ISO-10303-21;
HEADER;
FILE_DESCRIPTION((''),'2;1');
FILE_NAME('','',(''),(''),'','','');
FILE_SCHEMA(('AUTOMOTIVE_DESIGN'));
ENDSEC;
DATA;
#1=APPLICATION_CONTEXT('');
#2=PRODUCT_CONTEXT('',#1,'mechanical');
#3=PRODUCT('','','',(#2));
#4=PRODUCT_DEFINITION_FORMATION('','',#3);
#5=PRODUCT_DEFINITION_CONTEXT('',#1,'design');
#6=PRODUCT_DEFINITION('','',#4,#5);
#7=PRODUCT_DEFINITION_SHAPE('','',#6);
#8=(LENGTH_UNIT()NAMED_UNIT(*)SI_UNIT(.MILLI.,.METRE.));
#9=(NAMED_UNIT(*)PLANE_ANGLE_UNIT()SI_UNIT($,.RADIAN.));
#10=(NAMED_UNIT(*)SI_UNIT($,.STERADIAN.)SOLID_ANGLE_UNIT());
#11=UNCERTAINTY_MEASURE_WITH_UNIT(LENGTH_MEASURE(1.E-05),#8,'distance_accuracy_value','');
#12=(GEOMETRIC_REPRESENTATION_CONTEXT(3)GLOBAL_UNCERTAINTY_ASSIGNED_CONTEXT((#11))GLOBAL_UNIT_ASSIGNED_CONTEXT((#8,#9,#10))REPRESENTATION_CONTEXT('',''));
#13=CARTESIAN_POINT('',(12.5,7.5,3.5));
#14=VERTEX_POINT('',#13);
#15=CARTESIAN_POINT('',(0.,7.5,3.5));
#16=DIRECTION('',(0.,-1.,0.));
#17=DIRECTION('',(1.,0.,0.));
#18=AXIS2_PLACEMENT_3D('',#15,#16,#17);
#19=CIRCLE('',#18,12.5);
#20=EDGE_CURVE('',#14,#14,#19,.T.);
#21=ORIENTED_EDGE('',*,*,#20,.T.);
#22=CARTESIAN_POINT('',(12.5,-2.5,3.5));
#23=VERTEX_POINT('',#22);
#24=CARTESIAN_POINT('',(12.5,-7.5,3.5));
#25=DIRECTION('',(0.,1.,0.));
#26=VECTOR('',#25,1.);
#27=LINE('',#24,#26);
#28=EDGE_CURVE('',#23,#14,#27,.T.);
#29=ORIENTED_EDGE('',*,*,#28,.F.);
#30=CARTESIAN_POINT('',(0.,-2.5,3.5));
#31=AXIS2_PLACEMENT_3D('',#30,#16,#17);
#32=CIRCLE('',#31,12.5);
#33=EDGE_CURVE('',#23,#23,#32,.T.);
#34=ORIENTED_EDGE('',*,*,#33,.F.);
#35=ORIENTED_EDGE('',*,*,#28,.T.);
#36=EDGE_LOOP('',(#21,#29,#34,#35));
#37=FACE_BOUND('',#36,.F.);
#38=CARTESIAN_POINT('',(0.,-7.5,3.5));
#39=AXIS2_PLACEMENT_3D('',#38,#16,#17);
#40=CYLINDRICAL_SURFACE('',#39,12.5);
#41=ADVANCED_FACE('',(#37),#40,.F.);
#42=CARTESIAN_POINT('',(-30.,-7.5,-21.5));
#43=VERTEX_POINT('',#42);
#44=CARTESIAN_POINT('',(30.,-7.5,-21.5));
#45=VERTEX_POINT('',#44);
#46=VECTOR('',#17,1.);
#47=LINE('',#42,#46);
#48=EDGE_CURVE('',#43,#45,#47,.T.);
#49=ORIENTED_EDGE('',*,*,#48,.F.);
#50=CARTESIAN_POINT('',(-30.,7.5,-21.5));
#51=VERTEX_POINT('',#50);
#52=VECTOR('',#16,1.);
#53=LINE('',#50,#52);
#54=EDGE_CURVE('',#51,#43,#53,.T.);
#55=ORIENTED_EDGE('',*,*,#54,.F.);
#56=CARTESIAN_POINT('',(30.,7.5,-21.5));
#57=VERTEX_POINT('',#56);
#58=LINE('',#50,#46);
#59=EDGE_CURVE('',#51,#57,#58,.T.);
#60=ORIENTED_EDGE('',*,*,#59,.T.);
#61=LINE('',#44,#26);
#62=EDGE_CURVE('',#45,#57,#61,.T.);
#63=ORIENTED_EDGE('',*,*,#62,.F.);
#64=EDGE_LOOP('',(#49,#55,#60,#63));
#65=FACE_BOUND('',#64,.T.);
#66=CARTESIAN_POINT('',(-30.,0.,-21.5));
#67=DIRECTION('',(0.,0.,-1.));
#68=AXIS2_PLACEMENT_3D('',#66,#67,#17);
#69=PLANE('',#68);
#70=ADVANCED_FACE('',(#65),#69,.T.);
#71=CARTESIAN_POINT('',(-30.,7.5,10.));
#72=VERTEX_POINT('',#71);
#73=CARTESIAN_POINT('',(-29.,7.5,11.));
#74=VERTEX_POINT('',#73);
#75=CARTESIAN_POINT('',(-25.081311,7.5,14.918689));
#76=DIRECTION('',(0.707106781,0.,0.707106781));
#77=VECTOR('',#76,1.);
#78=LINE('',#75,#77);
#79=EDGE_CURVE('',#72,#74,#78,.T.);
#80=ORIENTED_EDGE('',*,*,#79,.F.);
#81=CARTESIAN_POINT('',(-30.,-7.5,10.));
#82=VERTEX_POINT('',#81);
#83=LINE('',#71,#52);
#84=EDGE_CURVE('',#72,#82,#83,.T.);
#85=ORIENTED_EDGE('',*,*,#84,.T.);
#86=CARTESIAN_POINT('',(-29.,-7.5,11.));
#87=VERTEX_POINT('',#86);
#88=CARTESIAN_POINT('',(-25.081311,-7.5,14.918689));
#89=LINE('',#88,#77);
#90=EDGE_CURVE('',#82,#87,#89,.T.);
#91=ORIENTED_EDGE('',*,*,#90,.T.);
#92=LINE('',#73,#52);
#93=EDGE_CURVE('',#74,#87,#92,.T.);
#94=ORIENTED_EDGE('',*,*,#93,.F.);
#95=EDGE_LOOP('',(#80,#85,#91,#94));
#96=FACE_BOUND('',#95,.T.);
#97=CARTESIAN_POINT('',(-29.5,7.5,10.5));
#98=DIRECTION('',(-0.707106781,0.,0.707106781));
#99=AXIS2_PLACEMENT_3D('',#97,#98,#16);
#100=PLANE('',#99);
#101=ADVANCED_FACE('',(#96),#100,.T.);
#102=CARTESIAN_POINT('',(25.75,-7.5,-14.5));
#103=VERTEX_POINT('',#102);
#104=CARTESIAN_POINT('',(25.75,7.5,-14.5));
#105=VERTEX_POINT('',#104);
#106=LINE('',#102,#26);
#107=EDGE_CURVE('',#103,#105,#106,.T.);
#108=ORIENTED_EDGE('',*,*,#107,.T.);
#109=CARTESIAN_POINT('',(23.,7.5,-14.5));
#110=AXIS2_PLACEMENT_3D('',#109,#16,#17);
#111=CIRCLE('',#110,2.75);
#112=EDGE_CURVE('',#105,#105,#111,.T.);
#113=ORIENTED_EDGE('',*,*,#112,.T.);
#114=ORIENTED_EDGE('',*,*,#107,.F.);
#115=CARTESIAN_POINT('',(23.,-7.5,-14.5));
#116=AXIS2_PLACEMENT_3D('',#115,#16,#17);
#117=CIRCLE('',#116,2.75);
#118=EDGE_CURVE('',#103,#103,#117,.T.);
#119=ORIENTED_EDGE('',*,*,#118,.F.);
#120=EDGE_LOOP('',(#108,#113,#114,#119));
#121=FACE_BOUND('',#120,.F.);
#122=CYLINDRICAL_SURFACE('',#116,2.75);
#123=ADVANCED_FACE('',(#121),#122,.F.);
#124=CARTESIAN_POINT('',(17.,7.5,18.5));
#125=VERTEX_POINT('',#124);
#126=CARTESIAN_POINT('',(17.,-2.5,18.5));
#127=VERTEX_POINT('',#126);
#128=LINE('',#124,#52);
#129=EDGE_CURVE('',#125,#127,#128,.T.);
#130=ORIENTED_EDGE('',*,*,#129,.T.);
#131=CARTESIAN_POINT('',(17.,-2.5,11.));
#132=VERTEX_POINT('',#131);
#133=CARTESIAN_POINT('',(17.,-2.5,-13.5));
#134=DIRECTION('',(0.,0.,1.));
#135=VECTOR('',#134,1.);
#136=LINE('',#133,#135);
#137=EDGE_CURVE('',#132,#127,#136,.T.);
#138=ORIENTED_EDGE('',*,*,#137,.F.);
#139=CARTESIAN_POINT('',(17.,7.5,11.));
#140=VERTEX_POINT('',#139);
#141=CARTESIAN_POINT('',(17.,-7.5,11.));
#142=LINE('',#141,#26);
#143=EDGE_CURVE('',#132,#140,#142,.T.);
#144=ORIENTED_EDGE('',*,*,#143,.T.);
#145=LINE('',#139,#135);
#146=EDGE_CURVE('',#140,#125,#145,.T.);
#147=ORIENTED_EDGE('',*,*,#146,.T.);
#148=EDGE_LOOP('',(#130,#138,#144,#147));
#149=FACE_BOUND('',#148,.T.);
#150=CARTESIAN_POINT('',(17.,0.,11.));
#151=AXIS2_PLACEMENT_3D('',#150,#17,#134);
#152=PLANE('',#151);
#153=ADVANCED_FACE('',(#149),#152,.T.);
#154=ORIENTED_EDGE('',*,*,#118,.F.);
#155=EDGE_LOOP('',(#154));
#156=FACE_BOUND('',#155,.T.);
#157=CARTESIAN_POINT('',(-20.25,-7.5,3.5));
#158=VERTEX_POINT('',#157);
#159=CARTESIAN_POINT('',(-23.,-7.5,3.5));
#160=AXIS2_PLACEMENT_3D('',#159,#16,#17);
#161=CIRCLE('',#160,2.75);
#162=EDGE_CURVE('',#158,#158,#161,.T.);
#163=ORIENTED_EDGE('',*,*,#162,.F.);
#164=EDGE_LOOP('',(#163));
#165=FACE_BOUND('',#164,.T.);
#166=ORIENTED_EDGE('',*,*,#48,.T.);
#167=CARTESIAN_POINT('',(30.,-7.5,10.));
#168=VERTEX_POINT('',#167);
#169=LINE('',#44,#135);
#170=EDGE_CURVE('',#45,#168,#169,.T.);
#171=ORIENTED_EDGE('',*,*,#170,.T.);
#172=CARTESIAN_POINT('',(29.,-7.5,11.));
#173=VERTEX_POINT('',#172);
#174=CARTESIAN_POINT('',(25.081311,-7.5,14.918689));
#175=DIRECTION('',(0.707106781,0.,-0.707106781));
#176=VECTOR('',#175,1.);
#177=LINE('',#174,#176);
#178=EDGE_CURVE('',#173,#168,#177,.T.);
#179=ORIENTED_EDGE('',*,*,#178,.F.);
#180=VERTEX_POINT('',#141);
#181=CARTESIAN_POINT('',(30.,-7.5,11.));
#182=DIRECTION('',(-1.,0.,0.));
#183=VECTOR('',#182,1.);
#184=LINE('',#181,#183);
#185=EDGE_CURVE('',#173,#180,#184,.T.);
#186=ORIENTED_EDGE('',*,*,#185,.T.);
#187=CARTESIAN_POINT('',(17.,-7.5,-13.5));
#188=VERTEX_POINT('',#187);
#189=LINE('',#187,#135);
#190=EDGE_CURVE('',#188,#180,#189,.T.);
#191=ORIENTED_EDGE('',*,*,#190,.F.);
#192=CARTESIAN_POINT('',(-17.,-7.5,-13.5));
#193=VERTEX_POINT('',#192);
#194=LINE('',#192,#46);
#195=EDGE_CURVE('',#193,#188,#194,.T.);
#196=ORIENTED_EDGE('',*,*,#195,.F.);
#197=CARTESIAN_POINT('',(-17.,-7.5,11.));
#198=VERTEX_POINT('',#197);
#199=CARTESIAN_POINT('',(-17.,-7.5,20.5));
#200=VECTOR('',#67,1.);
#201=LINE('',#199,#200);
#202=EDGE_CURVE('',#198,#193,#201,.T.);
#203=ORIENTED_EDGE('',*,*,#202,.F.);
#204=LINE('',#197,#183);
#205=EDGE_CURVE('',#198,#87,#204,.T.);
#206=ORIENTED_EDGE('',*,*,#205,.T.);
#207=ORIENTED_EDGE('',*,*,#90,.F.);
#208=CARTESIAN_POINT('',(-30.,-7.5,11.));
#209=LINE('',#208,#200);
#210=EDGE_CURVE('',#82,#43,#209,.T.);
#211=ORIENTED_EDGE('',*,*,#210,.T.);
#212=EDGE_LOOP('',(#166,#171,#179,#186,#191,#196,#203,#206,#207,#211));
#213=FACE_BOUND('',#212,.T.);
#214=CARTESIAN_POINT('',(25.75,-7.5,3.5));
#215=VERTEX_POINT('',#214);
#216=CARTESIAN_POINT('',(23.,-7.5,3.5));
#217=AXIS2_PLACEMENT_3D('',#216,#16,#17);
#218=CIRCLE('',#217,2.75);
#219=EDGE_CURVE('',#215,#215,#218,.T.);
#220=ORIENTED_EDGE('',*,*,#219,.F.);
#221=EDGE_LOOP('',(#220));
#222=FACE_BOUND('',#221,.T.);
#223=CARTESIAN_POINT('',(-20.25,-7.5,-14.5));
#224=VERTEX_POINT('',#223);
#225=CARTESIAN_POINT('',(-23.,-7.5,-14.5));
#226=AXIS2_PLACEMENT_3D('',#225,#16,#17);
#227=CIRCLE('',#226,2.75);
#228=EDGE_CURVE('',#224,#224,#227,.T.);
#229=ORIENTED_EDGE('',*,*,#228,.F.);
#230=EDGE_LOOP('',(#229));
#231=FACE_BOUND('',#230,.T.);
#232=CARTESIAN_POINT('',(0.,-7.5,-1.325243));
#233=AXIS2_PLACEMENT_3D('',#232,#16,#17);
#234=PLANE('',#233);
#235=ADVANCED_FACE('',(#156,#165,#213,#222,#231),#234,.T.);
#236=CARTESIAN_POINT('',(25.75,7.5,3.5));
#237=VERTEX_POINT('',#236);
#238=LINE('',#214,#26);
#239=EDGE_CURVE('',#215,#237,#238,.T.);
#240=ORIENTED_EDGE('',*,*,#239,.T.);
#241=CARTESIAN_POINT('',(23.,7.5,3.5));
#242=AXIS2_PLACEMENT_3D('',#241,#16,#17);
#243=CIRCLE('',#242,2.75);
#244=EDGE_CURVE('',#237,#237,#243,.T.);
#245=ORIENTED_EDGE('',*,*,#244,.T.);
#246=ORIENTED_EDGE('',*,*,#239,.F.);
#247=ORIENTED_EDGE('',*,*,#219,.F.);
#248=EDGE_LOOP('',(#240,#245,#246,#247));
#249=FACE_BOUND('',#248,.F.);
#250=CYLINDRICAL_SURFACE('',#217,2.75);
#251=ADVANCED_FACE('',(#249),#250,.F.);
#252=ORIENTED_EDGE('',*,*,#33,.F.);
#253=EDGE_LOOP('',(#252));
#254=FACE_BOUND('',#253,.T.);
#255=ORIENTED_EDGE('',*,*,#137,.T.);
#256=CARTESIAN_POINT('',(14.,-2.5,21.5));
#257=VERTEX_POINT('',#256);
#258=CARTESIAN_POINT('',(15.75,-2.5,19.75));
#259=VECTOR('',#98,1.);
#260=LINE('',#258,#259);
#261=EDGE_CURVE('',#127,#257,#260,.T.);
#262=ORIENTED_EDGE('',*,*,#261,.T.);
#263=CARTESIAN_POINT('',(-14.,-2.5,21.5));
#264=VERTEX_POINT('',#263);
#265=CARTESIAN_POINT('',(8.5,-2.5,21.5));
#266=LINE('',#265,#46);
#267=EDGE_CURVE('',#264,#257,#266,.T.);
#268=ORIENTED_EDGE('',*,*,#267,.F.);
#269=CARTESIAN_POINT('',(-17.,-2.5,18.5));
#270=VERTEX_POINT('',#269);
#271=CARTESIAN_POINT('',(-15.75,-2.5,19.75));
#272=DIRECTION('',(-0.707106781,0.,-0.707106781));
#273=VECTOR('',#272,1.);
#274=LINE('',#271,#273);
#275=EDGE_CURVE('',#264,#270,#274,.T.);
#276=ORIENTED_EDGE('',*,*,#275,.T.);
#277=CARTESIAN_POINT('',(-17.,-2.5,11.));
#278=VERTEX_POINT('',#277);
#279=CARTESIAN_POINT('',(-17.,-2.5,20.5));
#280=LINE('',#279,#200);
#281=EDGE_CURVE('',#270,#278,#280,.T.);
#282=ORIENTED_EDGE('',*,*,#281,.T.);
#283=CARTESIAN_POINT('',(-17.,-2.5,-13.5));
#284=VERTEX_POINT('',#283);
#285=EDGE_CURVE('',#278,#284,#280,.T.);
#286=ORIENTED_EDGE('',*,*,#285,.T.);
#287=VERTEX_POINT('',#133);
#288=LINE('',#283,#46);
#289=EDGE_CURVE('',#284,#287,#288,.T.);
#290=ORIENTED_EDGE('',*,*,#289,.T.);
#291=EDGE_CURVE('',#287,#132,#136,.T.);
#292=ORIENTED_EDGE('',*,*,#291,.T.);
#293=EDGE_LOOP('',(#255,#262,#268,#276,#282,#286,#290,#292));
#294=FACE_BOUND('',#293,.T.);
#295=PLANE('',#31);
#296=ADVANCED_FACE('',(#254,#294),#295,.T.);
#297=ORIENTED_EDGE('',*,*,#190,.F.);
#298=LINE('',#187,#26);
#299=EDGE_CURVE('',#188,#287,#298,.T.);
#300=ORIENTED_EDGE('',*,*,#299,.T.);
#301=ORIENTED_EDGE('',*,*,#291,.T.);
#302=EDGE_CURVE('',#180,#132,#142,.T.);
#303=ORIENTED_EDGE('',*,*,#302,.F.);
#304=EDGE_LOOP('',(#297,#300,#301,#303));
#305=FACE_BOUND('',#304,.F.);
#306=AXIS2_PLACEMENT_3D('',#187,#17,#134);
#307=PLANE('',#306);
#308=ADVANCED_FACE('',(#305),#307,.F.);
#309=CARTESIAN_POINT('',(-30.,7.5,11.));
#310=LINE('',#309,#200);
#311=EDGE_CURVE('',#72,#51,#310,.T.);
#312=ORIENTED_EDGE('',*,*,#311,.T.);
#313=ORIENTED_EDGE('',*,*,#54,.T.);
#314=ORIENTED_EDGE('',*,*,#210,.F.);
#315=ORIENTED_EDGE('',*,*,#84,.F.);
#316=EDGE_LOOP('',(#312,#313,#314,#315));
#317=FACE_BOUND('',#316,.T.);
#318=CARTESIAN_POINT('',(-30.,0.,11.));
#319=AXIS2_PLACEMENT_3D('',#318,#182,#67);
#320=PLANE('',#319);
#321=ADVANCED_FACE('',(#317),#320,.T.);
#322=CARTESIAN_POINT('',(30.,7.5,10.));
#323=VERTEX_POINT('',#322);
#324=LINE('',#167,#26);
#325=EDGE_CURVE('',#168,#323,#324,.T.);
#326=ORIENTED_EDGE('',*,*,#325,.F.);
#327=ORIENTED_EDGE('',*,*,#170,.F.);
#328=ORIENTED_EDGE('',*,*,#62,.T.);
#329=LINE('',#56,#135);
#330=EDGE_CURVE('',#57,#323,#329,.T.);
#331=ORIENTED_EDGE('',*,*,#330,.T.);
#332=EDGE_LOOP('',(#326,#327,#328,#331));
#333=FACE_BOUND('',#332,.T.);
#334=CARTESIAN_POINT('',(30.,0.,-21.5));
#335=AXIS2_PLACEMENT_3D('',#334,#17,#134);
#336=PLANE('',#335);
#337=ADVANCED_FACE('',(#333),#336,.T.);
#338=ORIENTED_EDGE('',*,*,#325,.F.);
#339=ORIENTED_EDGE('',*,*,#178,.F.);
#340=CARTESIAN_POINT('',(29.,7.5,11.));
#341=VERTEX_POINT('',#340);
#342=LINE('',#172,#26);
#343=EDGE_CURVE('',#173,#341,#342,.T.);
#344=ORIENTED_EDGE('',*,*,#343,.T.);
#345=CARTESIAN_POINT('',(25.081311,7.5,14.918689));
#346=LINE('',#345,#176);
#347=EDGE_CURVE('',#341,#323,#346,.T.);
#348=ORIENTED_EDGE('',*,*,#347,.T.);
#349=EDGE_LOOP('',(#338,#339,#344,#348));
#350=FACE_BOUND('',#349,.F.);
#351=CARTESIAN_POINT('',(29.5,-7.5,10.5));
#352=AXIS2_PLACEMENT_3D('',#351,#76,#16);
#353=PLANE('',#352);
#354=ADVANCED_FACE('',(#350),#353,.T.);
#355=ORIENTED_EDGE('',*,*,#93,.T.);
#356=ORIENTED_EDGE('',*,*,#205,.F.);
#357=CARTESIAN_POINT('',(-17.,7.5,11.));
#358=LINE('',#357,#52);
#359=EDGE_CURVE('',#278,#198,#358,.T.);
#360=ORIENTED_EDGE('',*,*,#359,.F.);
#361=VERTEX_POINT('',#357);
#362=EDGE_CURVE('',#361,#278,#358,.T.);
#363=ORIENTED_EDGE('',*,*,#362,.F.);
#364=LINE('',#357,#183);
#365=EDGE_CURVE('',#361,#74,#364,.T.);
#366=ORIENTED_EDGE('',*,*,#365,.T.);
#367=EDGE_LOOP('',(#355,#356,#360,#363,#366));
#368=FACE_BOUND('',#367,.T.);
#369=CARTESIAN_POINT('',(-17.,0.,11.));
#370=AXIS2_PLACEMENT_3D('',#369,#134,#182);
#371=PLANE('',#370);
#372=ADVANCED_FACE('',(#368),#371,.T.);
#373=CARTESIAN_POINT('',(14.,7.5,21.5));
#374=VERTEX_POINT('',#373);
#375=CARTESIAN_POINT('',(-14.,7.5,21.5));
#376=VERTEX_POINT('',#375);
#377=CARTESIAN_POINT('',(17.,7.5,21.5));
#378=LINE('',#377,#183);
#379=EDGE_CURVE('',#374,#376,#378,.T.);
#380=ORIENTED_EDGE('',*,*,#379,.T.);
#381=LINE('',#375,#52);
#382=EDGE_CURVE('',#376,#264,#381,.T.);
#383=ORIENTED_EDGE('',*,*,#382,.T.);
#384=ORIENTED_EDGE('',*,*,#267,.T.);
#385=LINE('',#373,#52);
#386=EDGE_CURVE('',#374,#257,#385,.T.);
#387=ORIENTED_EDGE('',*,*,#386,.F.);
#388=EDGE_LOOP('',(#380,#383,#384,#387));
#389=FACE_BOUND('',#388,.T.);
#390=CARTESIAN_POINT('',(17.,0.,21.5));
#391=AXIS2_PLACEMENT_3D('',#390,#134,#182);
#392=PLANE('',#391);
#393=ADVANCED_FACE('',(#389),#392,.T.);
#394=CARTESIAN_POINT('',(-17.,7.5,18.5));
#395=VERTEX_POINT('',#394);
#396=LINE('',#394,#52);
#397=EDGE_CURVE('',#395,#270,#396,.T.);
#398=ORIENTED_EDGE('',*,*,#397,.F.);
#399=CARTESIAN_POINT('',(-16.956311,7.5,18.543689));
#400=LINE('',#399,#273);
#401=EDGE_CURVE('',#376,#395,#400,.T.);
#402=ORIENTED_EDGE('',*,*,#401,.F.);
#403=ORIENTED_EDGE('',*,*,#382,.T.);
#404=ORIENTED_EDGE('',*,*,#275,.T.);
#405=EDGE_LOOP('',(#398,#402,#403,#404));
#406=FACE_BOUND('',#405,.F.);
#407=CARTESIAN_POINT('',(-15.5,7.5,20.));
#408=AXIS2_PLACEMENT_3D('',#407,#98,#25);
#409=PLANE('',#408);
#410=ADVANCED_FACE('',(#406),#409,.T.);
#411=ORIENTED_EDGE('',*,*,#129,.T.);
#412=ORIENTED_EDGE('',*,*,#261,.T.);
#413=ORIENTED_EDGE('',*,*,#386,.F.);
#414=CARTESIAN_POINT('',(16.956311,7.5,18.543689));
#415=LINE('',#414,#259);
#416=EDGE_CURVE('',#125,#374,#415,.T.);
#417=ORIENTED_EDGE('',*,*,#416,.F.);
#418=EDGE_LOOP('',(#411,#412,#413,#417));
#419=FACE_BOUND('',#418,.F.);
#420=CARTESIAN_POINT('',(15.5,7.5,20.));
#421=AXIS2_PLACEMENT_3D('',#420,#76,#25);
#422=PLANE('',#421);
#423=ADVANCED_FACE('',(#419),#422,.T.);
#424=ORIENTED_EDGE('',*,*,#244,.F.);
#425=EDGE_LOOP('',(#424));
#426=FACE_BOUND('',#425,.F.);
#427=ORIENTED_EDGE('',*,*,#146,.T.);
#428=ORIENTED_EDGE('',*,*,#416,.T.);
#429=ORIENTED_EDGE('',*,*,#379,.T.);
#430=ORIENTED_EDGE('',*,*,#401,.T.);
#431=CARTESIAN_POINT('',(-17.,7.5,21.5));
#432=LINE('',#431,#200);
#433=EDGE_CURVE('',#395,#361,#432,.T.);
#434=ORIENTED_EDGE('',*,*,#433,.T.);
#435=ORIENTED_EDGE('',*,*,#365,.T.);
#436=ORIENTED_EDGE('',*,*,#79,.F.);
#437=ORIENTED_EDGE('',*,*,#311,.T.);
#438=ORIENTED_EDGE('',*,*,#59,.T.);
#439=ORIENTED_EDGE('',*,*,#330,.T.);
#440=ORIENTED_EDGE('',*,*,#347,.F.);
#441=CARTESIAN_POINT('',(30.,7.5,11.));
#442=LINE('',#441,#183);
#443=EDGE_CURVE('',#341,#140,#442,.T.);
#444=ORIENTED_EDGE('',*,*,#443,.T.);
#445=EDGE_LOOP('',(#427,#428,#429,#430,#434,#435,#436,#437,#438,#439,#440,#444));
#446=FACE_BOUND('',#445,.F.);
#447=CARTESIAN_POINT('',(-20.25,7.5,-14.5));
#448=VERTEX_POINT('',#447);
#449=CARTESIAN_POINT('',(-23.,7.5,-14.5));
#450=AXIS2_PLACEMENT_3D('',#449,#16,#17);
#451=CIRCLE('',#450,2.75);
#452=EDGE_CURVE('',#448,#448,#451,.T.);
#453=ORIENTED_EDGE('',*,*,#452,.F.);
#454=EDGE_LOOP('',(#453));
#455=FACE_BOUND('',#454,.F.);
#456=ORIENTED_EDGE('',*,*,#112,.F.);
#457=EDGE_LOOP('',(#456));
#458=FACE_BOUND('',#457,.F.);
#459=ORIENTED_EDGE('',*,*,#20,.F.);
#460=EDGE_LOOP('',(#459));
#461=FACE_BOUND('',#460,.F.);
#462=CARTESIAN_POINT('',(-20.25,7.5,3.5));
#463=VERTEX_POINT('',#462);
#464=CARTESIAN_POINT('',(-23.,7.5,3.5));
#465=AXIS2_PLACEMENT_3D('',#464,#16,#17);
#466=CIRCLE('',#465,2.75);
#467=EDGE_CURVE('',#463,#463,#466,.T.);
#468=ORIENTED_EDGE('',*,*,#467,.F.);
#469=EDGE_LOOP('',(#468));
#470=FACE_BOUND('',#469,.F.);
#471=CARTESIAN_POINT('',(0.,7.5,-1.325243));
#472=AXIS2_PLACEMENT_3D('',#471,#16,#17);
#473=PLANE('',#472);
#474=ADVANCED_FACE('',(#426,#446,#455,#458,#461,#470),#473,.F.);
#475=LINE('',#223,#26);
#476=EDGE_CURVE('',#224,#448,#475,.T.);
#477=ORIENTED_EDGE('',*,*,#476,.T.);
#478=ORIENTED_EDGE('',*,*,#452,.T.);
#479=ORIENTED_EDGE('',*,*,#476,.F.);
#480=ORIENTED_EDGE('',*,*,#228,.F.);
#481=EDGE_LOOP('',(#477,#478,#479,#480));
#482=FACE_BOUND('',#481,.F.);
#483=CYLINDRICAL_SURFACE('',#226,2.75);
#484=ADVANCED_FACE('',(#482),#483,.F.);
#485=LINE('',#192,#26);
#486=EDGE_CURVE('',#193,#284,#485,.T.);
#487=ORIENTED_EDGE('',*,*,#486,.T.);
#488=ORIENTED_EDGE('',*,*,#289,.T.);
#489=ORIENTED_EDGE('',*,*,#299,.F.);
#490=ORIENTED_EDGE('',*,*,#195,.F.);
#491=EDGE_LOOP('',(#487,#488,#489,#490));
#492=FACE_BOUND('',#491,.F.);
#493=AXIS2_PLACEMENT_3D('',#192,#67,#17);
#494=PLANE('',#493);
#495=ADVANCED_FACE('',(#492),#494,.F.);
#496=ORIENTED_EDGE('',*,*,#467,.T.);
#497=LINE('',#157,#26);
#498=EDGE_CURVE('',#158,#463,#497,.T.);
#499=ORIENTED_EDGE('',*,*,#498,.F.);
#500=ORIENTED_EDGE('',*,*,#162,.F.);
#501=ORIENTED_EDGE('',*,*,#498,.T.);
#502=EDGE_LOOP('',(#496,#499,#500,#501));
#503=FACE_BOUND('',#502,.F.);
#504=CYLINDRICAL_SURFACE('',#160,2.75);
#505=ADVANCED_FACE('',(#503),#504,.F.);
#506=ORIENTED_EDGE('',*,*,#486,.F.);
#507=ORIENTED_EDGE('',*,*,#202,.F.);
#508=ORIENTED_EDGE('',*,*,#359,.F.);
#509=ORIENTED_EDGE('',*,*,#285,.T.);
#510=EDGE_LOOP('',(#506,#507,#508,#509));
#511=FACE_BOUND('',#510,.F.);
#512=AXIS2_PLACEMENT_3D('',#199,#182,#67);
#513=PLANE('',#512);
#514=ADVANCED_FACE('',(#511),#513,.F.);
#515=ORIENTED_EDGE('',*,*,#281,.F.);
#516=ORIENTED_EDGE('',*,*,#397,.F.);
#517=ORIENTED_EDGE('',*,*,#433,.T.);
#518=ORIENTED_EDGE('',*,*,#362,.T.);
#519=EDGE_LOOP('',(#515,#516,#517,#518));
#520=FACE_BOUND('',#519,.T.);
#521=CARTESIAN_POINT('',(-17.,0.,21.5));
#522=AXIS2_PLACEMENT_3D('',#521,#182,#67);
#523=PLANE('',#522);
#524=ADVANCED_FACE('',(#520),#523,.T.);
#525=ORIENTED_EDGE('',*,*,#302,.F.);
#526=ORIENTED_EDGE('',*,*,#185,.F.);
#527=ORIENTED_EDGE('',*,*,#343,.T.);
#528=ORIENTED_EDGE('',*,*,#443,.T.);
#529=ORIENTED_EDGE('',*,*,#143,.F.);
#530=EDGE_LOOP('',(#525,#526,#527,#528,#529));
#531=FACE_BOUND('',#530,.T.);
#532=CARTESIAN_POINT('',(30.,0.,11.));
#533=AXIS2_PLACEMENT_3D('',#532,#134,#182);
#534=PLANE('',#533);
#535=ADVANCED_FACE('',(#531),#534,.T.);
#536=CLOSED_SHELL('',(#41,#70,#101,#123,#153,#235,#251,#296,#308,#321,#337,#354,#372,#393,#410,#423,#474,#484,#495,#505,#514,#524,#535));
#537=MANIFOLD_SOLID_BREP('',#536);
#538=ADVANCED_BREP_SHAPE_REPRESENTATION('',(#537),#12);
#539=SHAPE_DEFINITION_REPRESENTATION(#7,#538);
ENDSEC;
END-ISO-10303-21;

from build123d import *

# Parameters (mm, degrees)
F1_DEPTH = 7.5
F2_R     = 12.5
F2_R_2   = 2.75
F3_DEPTH = 15
F4_SIZE  = 3
F5_SIZE  = 1
F6_W     = 31
F6_H     = 8.371188
F7_DEPTH = 5


with BuildPart() as f1:
    # F0 (on Front) → F1 (new body, symmetric)
    with BuildSketch(Plane.XZ):
        Polygon((17, 11), (17, 21.5), (-17, 21.5), (-17, 11), (-30, 11), (-30, -21.5), (30, -21.5), (30, 11), align=None)
    extrude(amount=F1_DEPTH, both=True)

    # F2 (on face) → F3 (cut)
    with BuildSketch(Plane.XZ.offset(7.5)):
        with Locations((0, 3.5)):
            Circle(F2_R)
        with Locations((-23, 3.5)):
            Circle(F2_R_2)
        with Locations((23, 3.5)):
            Circle(F2_R_2)
        with Locations((-23, -14.5)):
            Circle(F2_R_2)
        with Locations((23, -14.5)):
            Circle(F2_R_2)
    extrude(amount=-F3_DEPTH, mode=Mode.SUBTRACT)

    # F4
    f4_edges = [f1.edges().sort_by_distance(p)[0] for p in [
        (17, 0, 21.5),
        (-17, 0, 21.5),
    ]]
    chamfer(f4_edges, length=F4_SIZE)

    # F5
    f5_edges = [f1.edges().sort_by_distance(p)[0] for p in [
        (-30, 0, 11),
        (30, 0, 11),
    ]]
    chamfer(f5_edges, length=F5_SIZE)

    # F6 (on face) → F7 (cut)
    with BuildSketch(Plane.XZ.offset(7.5)):
        Polygon((17, -13.5), (17, 20.5), (15.5, 20.5), (-15.5, 20.5), (-17, 20.5), (-17, -13.5), align=None)
        with Locations((0, 24.685594)):
            Rectangle(F6_W, F6_H)
    extrude(amount=-F7_DEPTH, mode=Mode.SUBTRACT)


solid = f1.part
